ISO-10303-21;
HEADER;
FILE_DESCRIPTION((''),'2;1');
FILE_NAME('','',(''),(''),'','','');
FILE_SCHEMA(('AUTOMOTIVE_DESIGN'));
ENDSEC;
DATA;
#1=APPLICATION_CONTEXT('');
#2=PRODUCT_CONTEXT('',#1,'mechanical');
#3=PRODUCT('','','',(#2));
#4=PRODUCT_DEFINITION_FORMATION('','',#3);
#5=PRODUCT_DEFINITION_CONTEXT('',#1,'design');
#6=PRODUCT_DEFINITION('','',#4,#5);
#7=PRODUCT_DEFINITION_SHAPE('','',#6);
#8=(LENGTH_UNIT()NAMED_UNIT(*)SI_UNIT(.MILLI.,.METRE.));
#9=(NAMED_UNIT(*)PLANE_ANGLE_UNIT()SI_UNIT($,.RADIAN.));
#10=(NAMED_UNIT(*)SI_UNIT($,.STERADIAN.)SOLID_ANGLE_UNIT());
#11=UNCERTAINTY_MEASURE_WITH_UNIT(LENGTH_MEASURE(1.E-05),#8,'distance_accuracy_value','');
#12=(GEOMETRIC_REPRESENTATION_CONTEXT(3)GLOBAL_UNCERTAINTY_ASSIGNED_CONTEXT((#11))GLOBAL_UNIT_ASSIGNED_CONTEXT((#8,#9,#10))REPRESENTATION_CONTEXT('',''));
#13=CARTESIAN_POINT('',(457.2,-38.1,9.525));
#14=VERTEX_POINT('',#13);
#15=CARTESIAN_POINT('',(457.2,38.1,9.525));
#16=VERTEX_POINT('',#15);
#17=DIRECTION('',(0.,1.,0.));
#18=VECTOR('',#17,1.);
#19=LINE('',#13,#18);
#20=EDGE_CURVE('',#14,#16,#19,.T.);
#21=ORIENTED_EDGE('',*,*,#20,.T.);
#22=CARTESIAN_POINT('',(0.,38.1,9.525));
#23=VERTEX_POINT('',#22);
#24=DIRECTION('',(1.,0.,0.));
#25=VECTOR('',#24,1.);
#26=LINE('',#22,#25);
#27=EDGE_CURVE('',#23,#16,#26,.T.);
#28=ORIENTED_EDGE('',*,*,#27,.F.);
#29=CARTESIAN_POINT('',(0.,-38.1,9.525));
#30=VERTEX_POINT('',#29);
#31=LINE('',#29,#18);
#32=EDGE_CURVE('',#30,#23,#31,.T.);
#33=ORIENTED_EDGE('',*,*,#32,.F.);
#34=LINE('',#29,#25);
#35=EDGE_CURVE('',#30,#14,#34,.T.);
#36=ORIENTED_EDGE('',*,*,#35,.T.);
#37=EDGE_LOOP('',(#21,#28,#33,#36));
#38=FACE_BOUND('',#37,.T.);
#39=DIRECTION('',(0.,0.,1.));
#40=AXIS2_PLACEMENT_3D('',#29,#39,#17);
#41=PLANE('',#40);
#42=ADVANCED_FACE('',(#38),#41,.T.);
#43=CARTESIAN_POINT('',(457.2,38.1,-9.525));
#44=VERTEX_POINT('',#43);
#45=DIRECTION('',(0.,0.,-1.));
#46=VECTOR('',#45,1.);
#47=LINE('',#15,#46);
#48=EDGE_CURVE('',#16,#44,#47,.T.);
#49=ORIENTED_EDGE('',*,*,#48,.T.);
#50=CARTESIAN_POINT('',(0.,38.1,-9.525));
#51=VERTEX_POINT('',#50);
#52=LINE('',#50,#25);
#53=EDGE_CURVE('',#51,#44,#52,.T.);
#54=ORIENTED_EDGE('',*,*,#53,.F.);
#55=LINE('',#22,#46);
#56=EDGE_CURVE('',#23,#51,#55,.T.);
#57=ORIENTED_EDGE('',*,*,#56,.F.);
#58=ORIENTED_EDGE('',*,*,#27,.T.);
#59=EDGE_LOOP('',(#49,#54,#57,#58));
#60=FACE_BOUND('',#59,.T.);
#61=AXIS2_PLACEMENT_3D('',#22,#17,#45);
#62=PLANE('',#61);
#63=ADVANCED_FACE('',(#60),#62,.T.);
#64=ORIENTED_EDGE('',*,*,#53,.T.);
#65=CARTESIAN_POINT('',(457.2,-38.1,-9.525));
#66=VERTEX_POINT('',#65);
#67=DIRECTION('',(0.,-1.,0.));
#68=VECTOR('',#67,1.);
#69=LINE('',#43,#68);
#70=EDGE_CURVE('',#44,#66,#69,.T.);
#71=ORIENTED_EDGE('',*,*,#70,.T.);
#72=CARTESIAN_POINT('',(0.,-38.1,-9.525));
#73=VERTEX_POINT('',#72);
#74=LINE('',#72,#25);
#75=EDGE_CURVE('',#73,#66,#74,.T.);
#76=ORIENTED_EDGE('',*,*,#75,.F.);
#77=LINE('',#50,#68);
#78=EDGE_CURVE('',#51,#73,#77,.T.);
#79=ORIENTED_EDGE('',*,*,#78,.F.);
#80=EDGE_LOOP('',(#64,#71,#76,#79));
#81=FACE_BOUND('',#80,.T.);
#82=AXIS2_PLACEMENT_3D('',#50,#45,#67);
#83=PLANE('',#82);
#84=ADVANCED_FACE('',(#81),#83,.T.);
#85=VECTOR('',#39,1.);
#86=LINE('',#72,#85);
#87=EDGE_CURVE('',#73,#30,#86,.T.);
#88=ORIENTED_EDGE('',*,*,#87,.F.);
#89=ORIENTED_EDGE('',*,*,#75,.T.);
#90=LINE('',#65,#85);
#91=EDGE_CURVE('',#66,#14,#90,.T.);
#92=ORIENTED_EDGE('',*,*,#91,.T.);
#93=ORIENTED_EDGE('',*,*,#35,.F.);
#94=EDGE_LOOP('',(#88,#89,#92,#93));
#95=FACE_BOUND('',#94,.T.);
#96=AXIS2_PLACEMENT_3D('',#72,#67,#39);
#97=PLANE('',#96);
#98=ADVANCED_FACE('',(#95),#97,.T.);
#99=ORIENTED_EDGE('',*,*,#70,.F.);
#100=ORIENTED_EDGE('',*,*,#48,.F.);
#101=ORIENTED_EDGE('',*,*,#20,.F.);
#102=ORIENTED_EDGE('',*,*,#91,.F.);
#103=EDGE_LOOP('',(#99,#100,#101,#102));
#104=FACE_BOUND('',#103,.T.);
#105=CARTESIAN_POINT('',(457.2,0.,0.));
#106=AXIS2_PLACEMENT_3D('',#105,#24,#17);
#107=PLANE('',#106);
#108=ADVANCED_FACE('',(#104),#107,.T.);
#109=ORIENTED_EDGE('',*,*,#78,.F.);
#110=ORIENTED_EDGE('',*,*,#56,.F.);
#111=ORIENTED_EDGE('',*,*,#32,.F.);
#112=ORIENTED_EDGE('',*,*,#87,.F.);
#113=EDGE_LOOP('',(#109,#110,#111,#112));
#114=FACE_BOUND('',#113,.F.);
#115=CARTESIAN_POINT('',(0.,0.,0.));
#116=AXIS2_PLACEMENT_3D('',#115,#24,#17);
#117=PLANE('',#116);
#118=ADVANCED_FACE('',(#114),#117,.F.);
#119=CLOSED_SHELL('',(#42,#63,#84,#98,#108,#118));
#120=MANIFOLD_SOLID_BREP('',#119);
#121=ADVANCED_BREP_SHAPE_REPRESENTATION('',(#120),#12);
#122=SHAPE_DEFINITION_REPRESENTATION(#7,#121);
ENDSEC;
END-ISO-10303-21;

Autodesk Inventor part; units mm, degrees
ref_plane "YZ Plane" through (0, 0, 0) normal (1, 0, 0) x (0, 1, 0)
ref_plane "XZ Plane" through (0, 0, 0) normal (0, 1, 0) x (-1, 0, 0)
ref_plane "XY Plane" through (0, 0, 0) normal (0, 0, 1) x (1, 0, 0)
sketch "Sketch1" plane through (0, 0, 0) normal (1, 0, 0) x (0, 1, 0)
  line L0 (-38.1, 9.525) -> (38.1, 9.525)
  line L1 (38.1, 9.525) -> (38.1, -9.525)
  line L2 (38.1, -9.525) -> (-38.1, -9.525)
  line L3 (-38.1, -9.525) -> (-38.1, 9.525)
  line L4 (-38.1, 9.525) -> (38.1, -9.525) construction
  line L5 (38.1, 9.525) -> (-38.1, -9.525) construction
  point P0 (0, 0)
  dimension "d0" = 76.2
  dimension "d1" = 19.05
extrude "Extrusion1" add sketch "Sketch1" along normal blind 457.2
properties part number "Table Short Rail"
